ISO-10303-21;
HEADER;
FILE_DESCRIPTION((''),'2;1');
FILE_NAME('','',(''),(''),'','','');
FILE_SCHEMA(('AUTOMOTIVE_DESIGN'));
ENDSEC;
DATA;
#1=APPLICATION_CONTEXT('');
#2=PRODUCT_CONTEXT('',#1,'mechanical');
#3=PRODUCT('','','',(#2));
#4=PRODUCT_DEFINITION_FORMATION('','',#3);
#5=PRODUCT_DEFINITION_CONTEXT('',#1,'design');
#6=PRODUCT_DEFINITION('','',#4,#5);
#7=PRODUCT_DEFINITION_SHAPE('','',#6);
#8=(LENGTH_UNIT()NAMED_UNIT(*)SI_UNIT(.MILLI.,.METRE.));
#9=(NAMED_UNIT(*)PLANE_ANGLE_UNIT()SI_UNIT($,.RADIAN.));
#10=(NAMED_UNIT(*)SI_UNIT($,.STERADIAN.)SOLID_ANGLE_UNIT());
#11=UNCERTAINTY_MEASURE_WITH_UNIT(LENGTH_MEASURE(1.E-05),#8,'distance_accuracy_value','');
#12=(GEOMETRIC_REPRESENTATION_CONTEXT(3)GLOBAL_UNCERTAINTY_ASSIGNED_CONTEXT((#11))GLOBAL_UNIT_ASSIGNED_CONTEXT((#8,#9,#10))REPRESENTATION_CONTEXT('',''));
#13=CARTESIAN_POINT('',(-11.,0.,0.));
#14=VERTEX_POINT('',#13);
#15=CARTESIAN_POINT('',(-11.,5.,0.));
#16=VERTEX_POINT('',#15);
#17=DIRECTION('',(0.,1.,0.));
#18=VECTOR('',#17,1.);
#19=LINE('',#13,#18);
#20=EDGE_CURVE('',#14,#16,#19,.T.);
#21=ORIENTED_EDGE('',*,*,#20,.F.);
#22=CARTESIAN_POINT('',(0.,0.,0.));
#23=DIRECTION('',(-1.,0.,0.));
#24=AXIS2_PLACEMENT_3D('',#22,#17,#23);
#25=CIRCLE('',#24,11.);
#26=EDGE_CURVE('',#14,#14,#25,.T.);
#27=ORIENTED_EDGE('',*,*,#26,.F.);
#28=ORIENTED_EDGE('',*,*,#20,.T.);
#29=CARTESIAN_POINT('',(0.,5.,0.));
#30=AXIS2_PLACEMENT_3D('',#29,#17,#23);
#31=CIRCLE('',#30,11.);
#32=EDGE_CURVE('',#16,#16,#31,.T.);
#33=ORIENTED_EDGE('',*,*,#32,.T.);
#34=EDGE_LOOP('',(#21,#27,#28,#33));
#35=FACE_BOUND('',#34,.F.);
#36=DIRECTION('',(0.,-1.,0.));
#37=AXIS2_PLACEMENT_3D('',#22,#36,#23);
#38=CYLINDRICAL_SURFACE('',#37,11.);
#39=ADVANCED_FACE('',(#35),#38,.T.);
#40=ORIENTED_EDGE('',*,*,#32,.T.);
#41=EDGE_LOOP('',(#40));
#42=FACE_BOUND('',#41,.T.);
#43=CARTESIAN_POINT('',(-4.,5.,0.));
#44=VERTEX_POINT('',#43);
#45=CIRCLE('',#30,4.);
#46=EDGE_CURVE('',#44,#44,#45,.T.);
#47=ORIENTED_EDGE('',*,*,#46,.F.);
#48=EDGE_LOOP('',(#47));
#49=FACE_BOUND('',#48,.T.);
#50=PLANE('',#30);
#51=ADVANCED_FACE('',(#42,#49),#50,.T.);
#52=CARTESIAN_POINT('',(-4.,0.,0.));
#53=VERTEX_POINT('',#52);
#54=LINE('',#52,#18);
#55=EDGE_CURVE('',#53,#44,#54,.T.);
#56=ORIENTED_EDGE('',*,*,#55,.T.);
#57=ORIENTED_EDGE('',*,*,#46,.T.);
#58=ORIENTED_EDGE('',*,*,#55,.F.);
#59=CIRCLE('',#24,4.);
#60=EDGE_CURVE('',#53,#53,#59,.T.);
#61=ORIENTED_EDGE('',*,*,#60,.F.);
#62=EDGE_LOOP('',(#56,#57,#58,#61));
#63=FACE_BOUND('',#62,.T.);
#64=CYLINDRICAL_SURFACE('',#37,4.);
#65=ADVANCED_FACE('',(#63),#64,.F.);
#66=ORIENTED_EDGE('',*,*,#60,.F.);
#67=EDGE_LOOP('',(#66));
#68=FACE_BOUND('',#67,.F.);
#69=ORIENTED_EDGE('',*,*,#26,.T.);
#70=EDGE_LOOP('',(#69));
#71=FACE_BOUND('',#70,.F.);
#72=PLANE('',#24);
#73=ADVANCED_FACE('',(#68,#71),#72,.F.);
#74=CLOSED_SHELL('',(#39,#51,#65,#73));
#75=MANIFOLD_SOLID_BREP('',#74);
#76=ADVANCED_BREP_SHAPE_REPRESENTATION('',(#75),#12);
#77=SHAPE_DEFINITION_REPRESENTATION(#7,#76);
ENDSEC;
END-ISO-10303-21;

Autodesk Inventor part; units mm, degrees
ref_plane "YZ Plane" through (0, 0, 0) normal (1, 0, 0) x (0, 1, 0)
ref_plane "XZ Plane" through (0, 0, 0) normal (0, 1, 0) x (-1, 0, 0)
ref_plane "XY Plane" through (0, 0, 0) normal (0, 0, 1) x (1, 0, 0)
sketch "Эскиз1" plane through (0, 0, 0) normal (0, 1, 0) x (-1, 0, 0)
  circle A0 centre (0, 0) radius 4
  circle A1 centre (0, 0) radius 11
  dimension "d0" = 8
  dimension "d1" = 22
extrude "Выдавливание1" add sketch "Эскиз1" along normal blind 5
properties part number "колесо"
